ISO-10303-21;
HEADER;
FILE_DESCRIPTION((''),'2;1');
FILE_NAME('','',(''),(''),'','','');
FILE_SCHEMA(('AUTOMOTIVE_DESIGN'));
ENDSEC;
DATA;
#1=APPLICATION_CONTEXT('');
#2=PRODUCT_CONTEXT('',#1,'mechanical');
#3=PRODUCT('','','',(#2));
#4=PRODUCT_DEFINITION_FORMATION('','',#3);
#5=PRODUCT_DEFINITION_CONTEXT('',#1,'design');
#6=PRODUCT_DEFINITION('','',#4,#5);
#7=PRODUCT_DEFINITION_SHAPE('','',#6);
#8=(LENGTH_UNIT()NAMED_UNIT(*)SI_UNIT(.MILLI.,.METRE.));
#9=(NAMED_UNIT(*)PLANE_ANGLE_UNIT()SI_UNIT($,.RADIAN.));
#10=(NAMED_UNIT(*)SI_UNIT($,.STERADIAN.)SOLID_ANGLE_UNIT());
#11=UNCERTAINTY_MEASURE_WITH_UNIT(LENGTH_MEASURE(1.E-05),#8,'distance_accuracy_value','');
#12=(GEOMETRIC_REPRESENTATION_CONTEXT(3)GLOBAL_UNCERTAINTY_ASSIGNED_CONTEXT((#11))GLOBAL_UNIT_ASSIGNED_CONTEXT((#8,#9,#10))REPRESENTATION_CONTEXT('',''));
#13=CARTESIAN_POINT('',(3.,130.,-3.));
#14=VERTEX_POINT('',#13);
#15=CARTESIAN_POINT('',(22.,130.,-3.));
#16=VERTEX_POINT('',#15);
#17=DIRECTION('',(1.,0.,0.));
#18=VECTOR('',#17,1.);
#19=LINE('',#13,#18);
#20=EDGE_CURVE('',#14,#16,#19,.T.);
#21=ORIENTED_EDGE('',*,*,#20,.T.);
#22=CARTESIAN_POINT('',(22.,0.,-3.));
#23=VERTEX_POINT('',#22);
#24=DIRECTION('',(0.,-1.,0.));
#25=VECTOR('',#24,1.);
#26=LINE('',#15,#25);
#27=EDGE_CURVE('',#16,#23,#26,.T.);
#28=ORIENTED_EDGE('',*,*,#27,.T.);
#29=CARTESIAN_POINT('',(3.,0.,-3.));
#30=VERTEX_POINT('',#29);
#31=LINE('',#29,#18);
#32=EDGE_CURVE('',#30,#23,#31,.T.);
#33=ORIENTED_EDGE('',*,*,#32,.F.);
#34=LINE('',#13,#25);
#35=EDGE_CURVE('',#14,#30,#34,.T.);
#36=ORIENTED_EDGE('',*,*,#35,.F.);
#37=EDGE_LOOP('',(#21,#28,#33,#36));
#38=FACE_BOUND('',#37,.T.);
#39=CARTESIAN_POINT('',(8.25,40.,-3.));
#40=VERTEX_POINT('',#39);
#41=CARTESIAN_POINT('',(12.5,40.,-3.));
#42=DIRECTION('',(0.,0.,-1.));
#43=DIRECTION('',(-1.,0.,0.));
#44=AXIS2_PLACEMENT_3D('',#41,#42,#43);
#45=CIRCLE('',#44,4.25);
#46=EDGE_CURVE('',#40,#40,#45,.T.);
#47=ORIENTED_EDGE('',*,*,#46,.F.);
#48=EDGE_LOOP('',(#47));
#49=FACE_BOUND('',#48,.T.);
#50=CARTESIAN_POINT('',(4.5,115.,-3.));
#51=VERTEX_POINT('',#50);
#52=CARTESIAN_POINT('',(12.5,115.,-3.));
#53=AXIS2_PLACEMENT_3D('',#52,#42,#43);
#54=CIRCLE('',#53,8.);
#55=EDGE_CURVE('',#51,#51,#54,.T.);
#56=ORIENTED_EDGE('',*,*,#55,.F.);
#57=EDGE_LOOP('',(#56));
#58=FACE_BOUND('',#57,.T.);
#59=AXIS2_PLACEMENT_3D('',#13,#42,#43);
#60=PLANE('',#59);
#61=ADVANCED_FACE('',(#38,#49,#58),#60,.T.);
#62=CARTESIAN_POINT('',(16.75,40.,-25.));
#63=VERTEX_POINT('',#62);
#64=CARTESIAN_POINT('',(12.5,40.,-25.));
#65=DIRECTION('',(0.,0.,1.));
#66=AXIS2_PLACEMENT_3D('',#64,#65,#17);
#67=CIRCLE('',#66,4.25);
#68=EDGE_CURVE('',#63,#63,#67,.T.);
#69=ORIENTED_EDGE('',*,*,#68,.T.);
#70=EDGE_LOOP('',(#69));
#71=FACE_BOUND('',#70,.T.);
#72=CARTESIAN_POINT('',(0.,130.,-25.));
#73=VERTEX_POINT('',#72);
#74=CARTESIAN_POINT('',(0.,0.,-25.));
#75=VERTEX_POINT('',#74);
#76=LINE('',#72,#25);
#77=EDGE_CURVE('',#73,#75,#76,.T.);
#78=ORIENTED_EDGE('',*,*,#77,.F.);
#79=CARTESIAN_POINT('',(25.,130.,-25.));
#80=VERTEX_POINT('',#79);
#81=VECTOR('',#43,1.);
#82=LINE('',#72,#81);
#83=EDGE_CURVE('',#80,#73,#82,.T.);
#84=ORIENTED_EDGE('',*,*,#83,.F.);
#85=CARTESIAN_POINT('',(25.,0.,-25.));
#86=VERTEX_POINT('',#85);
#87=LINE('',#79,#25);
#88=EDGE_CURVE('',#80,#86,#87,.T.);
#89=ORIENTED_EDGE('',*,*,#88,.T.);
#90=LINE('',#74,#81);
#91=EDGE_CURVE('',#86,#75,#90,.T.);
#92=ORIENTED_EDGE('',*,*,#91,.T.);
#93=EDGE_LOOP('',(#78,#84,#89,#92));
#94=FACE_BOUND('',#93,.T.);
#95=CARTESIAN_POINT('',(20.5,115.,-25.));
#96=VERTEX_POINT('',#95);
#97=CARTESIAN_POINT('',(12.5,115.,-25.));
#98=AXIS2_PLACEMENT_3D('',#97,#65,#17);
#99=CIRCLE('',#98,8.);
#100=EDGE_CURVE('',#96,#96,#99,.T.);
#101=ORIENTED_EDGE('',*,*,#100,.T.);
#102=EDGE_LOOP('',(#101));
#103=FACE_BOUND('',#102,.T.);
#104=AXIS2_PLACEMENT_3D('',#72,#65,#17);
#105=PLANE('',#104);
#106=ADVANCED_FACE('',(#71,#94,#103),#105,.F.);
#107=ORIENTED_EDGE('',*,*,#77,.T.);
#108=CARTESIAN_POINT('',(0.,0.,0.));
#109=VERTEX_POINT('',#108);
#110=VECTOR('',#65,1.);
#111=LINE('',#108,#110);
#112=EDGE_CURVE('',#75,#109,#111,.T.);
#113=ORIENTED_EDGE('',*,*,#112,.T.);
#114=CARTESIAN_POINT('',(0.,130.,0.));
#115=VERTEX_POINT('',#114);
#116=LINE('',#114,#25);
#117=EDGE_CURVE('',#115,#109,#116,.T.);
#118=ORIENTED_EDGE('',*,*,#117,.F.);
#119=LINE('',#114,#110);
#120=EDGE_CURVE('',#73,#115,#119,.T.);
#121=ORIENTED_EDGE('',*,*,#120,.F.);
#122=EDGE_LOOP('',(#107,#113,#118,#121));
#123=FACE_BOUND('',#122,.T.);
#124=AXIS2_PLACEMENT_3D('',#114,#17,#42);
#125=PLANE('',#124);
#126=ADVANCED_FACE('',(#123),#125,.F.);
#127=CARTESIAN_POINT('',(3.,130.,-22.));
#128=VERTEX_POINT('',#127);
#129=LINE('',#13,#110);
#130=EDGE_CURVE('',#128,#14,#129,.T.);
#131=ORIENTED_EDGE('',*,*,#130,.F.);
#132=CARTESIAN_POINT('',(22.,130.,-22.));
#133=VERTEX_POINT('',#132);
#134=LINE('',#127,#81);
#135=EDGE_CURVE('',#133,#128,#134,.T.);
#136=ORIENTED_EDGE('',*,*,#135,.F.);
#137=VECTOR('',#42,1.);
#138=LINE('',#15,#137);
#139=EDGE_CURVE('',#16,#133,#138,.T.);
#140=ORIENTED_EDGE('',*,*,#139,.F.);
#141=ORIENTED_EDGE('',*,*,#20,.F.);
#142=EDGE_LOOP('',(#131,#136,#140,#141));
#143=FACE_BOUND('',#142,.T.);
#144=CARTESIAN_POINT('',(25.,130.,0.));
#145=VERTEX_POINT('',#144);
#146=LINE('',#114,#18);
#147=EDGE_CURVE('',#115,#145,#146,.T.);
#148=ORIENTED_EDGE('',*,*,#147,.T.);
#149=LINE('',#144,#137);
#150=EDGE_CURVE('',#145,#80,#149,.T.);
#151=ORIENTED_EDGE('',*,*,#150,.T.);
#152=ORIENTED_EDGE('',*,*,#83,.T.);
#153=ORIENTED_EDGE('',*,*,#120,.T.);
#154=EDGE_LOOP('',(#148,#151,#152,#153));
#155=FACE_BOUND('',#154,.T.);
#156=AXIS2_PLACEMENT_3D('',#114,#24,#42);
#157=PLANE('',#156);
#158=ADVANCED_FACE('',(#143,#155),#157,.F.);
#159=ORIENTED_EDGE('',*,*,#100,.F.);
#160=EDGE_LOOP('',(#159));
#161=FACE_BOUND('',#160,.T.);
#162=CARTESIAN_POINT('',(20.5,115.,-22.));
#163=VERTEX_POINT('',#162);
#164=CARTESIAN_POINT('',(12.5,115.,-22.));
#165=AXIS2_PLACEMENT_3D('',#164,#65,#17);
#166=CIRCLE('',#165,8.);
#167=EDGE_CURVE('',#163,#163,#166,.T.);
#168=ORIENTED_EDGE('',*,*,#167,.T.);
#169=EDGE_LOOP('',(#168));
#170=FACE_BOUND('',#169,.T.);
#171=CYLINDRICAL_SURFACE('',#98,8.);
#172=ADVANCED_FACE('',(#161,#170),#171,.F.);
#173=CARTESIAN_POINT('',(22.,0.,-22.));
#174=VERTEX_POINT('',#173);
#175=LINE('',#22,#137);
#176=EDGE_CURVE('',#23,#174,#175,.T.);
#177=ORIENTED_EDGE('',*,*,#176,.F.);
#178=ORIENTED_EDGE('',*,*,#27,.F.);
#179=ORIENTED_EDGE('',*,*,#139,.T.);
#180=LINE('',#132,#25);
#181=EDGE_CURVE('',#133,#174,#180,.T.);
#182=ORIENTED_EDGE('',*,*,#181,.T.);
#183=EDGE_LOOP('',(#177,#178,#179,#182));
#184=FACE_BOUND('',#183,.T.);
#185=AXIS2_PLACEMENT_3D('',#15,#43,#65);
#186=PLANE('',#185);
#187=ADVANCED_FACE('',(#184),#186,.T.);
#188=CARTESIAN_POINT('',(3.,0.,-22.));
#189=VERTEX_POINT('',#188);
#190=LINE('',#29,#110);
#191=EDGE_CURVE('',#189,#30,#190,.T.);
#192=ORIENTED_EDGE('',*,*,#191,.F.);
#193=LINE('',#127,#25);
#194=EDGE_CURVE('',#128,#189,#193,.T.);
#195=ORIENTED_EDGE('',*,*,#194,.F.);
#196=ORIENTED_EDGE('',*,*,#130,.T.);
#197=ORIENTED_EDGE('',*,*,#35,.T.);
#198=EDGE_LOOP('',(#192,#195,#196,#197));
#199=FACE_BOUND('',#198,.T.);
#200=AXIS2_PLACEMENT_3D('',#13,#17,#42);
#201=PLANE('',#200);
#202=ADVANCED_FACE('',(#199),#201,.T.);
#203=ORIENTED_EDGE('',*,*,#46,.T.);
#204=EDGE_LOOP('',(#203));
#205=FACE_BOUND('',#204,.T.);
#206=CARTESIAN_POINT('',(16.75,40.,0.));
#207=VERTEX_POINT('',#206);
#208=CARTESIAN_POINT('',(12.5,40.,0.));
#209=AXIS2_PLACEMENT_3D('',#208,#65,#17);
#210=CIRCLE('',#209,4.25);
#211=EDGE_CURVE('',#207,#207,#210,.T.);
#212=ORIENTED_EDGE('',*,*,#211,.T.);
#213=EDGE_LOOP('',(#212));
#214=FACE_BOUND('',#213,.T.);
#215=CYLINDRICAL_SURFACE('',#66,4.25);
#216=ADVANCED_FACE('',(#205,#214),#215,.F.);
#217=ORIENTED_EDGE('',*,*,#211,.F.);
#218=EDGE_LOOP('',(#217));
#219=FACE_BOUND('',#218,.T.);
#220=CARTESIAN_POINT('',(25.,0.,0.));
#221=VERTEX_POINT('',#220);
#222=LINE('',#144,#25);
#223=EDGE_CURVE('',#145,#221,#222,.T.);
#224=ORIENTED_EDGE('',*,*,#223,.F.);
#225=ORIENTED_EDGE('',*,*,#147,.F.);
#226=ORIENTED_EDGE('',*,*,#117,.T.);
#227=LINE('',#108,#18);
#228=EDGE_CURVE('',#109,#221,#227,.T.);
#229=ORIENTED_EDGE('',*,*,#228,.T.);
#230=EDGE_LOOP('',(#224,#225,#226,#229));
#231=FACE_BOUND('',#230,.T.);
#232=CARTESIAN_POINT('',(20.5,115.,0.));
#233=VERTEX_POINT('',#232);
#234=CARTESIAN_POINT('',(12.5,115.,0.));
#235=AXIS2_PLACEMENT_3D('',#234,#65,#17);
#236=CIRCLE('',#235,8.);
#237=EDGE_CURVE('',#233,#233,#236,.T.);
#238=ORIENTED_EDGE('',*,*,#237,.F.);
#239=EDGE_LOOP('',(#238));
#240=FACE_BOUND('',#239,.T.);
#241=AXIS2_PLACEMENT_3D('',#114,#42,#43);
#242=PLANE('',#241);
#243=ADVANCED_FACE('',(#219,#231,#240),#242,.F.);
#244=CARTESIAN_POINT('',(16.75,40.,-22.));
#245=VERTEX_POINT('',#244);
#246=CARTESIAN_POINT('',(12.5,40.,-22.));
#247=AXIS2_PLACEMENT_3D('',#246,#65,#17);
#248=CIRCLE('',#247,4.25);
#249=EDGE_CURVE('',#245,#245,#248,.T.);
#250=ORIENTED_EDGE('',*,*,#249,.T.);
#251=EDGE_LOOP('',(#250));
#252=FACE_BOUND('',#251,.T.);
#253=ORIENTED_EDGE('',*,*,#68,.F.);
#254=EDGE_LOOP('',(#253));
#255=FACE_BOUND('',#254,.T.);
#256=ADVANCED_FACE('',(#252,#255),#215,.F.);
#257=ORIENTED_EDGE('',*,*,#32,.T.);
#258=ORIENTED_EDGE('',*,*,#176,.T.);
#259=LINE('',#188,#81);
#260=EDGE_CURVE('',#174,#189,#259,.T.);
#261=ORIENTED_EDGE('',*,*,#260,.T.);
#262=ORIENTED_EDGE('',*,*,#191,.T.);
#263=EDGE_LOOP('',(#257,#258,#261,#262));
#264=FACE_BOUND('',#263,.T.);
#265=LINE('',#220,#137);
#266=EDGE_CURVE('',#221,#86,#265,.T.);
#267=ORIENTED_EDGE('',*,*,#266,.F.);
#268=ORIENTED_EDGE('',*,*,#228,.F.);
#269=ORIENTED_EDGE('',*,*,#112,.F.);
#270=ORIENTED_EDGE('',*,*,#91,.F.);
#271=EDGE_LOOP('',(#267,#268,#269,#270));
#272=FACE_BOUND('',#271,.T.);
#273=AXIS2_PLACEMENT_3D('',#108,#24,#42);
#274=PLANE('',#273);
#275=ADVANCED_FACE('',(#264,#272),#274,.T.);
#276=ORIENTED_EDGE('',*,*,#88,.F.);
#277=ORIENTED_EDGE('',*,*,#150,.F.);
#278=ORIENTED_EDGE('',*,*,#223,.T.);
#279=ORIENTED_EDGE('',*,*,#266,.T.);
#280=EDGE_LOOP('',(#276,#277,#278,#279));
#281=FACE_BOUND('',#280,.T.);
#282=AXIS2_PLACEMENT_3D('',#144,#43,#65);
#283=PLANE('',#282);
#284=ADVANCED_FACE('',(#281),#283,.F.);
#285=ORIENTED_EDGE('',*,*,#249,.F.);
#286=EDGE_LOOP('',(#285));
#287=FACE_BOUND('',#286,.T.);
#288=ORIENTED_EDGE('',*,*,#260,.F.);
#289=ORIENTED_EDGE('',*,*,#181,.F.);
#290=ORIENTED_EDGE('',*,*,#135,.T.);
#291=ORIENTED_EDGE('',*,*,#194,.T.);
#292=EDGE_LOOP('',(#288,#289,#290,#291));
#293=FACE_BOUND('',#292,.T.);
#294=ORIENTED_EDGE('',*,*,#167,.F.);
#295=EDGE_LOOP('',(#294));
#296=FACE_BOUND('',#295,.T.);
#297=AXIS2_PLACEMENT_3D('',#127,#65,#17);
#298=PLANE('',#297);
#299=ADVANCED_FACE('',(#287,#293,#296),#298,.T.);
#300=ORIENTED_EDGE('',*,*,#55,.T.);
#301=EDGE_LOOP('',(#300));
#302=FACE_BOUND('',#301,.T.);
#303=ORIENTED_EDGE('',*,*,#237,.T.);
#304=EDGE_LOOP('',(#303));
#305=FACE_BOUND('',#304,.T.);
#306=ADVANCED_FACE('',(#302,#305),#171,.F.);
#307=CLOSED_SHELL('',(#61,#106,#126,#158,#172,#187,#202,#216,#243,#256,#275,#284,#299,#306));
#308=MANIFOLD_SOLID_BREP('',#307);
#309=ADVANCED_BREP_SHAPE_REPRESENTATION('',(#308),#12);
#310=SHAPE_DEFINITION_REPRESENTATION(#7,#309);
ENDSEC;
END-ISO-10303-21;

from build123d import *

# Parameters (mm, degrees)
SKETCH1_W           = 25
SKETCH1_H           = 25
SKETCH1_W_2         = 19
SKETCH1_H_2         = 19
BOSS_EXTRUDE1_DEPTH = 130
SKETCH2_R           = 4.25
SKETCH2_R_2         = 8
CUT_EXTRUDE1_DEPTH  = 135.721935853


with BuildPart() as part:
    # Sketch1 → Boss-Extrude1 (new body)
    with BuildSketch(Plane(origin=(0, 0, 0), x_dir=(1, 0, 0), z_dir=(0, 1, 0))):
        with Locations((12.5, 12.5)):
            Rectangle(SKETCH1_W, SKETCH1_H)
        with Locations((12.5, 12.5)):
            Rectangle(SKETCH1_W_2, SKETCH1_H_2, mode=Mode.SUBTRACT)
    extrude(amount=BOSS_EXTRUDE1_DEPTH)

    # Sketch2 → Cut-Extrude1 (cut, through all)
    with BuildSketch(Plane.XY):
        with Locations((12.5, 40)):
            Circle(SKETCH2_R)
        with Locations((12.5, 115)):
            Circle(SKETCH2_R_2)
    extrude(amount=-CUT_EXTRUDE1_DEPTH, mode=Mode.SUBTRACT)


solid = part.part
